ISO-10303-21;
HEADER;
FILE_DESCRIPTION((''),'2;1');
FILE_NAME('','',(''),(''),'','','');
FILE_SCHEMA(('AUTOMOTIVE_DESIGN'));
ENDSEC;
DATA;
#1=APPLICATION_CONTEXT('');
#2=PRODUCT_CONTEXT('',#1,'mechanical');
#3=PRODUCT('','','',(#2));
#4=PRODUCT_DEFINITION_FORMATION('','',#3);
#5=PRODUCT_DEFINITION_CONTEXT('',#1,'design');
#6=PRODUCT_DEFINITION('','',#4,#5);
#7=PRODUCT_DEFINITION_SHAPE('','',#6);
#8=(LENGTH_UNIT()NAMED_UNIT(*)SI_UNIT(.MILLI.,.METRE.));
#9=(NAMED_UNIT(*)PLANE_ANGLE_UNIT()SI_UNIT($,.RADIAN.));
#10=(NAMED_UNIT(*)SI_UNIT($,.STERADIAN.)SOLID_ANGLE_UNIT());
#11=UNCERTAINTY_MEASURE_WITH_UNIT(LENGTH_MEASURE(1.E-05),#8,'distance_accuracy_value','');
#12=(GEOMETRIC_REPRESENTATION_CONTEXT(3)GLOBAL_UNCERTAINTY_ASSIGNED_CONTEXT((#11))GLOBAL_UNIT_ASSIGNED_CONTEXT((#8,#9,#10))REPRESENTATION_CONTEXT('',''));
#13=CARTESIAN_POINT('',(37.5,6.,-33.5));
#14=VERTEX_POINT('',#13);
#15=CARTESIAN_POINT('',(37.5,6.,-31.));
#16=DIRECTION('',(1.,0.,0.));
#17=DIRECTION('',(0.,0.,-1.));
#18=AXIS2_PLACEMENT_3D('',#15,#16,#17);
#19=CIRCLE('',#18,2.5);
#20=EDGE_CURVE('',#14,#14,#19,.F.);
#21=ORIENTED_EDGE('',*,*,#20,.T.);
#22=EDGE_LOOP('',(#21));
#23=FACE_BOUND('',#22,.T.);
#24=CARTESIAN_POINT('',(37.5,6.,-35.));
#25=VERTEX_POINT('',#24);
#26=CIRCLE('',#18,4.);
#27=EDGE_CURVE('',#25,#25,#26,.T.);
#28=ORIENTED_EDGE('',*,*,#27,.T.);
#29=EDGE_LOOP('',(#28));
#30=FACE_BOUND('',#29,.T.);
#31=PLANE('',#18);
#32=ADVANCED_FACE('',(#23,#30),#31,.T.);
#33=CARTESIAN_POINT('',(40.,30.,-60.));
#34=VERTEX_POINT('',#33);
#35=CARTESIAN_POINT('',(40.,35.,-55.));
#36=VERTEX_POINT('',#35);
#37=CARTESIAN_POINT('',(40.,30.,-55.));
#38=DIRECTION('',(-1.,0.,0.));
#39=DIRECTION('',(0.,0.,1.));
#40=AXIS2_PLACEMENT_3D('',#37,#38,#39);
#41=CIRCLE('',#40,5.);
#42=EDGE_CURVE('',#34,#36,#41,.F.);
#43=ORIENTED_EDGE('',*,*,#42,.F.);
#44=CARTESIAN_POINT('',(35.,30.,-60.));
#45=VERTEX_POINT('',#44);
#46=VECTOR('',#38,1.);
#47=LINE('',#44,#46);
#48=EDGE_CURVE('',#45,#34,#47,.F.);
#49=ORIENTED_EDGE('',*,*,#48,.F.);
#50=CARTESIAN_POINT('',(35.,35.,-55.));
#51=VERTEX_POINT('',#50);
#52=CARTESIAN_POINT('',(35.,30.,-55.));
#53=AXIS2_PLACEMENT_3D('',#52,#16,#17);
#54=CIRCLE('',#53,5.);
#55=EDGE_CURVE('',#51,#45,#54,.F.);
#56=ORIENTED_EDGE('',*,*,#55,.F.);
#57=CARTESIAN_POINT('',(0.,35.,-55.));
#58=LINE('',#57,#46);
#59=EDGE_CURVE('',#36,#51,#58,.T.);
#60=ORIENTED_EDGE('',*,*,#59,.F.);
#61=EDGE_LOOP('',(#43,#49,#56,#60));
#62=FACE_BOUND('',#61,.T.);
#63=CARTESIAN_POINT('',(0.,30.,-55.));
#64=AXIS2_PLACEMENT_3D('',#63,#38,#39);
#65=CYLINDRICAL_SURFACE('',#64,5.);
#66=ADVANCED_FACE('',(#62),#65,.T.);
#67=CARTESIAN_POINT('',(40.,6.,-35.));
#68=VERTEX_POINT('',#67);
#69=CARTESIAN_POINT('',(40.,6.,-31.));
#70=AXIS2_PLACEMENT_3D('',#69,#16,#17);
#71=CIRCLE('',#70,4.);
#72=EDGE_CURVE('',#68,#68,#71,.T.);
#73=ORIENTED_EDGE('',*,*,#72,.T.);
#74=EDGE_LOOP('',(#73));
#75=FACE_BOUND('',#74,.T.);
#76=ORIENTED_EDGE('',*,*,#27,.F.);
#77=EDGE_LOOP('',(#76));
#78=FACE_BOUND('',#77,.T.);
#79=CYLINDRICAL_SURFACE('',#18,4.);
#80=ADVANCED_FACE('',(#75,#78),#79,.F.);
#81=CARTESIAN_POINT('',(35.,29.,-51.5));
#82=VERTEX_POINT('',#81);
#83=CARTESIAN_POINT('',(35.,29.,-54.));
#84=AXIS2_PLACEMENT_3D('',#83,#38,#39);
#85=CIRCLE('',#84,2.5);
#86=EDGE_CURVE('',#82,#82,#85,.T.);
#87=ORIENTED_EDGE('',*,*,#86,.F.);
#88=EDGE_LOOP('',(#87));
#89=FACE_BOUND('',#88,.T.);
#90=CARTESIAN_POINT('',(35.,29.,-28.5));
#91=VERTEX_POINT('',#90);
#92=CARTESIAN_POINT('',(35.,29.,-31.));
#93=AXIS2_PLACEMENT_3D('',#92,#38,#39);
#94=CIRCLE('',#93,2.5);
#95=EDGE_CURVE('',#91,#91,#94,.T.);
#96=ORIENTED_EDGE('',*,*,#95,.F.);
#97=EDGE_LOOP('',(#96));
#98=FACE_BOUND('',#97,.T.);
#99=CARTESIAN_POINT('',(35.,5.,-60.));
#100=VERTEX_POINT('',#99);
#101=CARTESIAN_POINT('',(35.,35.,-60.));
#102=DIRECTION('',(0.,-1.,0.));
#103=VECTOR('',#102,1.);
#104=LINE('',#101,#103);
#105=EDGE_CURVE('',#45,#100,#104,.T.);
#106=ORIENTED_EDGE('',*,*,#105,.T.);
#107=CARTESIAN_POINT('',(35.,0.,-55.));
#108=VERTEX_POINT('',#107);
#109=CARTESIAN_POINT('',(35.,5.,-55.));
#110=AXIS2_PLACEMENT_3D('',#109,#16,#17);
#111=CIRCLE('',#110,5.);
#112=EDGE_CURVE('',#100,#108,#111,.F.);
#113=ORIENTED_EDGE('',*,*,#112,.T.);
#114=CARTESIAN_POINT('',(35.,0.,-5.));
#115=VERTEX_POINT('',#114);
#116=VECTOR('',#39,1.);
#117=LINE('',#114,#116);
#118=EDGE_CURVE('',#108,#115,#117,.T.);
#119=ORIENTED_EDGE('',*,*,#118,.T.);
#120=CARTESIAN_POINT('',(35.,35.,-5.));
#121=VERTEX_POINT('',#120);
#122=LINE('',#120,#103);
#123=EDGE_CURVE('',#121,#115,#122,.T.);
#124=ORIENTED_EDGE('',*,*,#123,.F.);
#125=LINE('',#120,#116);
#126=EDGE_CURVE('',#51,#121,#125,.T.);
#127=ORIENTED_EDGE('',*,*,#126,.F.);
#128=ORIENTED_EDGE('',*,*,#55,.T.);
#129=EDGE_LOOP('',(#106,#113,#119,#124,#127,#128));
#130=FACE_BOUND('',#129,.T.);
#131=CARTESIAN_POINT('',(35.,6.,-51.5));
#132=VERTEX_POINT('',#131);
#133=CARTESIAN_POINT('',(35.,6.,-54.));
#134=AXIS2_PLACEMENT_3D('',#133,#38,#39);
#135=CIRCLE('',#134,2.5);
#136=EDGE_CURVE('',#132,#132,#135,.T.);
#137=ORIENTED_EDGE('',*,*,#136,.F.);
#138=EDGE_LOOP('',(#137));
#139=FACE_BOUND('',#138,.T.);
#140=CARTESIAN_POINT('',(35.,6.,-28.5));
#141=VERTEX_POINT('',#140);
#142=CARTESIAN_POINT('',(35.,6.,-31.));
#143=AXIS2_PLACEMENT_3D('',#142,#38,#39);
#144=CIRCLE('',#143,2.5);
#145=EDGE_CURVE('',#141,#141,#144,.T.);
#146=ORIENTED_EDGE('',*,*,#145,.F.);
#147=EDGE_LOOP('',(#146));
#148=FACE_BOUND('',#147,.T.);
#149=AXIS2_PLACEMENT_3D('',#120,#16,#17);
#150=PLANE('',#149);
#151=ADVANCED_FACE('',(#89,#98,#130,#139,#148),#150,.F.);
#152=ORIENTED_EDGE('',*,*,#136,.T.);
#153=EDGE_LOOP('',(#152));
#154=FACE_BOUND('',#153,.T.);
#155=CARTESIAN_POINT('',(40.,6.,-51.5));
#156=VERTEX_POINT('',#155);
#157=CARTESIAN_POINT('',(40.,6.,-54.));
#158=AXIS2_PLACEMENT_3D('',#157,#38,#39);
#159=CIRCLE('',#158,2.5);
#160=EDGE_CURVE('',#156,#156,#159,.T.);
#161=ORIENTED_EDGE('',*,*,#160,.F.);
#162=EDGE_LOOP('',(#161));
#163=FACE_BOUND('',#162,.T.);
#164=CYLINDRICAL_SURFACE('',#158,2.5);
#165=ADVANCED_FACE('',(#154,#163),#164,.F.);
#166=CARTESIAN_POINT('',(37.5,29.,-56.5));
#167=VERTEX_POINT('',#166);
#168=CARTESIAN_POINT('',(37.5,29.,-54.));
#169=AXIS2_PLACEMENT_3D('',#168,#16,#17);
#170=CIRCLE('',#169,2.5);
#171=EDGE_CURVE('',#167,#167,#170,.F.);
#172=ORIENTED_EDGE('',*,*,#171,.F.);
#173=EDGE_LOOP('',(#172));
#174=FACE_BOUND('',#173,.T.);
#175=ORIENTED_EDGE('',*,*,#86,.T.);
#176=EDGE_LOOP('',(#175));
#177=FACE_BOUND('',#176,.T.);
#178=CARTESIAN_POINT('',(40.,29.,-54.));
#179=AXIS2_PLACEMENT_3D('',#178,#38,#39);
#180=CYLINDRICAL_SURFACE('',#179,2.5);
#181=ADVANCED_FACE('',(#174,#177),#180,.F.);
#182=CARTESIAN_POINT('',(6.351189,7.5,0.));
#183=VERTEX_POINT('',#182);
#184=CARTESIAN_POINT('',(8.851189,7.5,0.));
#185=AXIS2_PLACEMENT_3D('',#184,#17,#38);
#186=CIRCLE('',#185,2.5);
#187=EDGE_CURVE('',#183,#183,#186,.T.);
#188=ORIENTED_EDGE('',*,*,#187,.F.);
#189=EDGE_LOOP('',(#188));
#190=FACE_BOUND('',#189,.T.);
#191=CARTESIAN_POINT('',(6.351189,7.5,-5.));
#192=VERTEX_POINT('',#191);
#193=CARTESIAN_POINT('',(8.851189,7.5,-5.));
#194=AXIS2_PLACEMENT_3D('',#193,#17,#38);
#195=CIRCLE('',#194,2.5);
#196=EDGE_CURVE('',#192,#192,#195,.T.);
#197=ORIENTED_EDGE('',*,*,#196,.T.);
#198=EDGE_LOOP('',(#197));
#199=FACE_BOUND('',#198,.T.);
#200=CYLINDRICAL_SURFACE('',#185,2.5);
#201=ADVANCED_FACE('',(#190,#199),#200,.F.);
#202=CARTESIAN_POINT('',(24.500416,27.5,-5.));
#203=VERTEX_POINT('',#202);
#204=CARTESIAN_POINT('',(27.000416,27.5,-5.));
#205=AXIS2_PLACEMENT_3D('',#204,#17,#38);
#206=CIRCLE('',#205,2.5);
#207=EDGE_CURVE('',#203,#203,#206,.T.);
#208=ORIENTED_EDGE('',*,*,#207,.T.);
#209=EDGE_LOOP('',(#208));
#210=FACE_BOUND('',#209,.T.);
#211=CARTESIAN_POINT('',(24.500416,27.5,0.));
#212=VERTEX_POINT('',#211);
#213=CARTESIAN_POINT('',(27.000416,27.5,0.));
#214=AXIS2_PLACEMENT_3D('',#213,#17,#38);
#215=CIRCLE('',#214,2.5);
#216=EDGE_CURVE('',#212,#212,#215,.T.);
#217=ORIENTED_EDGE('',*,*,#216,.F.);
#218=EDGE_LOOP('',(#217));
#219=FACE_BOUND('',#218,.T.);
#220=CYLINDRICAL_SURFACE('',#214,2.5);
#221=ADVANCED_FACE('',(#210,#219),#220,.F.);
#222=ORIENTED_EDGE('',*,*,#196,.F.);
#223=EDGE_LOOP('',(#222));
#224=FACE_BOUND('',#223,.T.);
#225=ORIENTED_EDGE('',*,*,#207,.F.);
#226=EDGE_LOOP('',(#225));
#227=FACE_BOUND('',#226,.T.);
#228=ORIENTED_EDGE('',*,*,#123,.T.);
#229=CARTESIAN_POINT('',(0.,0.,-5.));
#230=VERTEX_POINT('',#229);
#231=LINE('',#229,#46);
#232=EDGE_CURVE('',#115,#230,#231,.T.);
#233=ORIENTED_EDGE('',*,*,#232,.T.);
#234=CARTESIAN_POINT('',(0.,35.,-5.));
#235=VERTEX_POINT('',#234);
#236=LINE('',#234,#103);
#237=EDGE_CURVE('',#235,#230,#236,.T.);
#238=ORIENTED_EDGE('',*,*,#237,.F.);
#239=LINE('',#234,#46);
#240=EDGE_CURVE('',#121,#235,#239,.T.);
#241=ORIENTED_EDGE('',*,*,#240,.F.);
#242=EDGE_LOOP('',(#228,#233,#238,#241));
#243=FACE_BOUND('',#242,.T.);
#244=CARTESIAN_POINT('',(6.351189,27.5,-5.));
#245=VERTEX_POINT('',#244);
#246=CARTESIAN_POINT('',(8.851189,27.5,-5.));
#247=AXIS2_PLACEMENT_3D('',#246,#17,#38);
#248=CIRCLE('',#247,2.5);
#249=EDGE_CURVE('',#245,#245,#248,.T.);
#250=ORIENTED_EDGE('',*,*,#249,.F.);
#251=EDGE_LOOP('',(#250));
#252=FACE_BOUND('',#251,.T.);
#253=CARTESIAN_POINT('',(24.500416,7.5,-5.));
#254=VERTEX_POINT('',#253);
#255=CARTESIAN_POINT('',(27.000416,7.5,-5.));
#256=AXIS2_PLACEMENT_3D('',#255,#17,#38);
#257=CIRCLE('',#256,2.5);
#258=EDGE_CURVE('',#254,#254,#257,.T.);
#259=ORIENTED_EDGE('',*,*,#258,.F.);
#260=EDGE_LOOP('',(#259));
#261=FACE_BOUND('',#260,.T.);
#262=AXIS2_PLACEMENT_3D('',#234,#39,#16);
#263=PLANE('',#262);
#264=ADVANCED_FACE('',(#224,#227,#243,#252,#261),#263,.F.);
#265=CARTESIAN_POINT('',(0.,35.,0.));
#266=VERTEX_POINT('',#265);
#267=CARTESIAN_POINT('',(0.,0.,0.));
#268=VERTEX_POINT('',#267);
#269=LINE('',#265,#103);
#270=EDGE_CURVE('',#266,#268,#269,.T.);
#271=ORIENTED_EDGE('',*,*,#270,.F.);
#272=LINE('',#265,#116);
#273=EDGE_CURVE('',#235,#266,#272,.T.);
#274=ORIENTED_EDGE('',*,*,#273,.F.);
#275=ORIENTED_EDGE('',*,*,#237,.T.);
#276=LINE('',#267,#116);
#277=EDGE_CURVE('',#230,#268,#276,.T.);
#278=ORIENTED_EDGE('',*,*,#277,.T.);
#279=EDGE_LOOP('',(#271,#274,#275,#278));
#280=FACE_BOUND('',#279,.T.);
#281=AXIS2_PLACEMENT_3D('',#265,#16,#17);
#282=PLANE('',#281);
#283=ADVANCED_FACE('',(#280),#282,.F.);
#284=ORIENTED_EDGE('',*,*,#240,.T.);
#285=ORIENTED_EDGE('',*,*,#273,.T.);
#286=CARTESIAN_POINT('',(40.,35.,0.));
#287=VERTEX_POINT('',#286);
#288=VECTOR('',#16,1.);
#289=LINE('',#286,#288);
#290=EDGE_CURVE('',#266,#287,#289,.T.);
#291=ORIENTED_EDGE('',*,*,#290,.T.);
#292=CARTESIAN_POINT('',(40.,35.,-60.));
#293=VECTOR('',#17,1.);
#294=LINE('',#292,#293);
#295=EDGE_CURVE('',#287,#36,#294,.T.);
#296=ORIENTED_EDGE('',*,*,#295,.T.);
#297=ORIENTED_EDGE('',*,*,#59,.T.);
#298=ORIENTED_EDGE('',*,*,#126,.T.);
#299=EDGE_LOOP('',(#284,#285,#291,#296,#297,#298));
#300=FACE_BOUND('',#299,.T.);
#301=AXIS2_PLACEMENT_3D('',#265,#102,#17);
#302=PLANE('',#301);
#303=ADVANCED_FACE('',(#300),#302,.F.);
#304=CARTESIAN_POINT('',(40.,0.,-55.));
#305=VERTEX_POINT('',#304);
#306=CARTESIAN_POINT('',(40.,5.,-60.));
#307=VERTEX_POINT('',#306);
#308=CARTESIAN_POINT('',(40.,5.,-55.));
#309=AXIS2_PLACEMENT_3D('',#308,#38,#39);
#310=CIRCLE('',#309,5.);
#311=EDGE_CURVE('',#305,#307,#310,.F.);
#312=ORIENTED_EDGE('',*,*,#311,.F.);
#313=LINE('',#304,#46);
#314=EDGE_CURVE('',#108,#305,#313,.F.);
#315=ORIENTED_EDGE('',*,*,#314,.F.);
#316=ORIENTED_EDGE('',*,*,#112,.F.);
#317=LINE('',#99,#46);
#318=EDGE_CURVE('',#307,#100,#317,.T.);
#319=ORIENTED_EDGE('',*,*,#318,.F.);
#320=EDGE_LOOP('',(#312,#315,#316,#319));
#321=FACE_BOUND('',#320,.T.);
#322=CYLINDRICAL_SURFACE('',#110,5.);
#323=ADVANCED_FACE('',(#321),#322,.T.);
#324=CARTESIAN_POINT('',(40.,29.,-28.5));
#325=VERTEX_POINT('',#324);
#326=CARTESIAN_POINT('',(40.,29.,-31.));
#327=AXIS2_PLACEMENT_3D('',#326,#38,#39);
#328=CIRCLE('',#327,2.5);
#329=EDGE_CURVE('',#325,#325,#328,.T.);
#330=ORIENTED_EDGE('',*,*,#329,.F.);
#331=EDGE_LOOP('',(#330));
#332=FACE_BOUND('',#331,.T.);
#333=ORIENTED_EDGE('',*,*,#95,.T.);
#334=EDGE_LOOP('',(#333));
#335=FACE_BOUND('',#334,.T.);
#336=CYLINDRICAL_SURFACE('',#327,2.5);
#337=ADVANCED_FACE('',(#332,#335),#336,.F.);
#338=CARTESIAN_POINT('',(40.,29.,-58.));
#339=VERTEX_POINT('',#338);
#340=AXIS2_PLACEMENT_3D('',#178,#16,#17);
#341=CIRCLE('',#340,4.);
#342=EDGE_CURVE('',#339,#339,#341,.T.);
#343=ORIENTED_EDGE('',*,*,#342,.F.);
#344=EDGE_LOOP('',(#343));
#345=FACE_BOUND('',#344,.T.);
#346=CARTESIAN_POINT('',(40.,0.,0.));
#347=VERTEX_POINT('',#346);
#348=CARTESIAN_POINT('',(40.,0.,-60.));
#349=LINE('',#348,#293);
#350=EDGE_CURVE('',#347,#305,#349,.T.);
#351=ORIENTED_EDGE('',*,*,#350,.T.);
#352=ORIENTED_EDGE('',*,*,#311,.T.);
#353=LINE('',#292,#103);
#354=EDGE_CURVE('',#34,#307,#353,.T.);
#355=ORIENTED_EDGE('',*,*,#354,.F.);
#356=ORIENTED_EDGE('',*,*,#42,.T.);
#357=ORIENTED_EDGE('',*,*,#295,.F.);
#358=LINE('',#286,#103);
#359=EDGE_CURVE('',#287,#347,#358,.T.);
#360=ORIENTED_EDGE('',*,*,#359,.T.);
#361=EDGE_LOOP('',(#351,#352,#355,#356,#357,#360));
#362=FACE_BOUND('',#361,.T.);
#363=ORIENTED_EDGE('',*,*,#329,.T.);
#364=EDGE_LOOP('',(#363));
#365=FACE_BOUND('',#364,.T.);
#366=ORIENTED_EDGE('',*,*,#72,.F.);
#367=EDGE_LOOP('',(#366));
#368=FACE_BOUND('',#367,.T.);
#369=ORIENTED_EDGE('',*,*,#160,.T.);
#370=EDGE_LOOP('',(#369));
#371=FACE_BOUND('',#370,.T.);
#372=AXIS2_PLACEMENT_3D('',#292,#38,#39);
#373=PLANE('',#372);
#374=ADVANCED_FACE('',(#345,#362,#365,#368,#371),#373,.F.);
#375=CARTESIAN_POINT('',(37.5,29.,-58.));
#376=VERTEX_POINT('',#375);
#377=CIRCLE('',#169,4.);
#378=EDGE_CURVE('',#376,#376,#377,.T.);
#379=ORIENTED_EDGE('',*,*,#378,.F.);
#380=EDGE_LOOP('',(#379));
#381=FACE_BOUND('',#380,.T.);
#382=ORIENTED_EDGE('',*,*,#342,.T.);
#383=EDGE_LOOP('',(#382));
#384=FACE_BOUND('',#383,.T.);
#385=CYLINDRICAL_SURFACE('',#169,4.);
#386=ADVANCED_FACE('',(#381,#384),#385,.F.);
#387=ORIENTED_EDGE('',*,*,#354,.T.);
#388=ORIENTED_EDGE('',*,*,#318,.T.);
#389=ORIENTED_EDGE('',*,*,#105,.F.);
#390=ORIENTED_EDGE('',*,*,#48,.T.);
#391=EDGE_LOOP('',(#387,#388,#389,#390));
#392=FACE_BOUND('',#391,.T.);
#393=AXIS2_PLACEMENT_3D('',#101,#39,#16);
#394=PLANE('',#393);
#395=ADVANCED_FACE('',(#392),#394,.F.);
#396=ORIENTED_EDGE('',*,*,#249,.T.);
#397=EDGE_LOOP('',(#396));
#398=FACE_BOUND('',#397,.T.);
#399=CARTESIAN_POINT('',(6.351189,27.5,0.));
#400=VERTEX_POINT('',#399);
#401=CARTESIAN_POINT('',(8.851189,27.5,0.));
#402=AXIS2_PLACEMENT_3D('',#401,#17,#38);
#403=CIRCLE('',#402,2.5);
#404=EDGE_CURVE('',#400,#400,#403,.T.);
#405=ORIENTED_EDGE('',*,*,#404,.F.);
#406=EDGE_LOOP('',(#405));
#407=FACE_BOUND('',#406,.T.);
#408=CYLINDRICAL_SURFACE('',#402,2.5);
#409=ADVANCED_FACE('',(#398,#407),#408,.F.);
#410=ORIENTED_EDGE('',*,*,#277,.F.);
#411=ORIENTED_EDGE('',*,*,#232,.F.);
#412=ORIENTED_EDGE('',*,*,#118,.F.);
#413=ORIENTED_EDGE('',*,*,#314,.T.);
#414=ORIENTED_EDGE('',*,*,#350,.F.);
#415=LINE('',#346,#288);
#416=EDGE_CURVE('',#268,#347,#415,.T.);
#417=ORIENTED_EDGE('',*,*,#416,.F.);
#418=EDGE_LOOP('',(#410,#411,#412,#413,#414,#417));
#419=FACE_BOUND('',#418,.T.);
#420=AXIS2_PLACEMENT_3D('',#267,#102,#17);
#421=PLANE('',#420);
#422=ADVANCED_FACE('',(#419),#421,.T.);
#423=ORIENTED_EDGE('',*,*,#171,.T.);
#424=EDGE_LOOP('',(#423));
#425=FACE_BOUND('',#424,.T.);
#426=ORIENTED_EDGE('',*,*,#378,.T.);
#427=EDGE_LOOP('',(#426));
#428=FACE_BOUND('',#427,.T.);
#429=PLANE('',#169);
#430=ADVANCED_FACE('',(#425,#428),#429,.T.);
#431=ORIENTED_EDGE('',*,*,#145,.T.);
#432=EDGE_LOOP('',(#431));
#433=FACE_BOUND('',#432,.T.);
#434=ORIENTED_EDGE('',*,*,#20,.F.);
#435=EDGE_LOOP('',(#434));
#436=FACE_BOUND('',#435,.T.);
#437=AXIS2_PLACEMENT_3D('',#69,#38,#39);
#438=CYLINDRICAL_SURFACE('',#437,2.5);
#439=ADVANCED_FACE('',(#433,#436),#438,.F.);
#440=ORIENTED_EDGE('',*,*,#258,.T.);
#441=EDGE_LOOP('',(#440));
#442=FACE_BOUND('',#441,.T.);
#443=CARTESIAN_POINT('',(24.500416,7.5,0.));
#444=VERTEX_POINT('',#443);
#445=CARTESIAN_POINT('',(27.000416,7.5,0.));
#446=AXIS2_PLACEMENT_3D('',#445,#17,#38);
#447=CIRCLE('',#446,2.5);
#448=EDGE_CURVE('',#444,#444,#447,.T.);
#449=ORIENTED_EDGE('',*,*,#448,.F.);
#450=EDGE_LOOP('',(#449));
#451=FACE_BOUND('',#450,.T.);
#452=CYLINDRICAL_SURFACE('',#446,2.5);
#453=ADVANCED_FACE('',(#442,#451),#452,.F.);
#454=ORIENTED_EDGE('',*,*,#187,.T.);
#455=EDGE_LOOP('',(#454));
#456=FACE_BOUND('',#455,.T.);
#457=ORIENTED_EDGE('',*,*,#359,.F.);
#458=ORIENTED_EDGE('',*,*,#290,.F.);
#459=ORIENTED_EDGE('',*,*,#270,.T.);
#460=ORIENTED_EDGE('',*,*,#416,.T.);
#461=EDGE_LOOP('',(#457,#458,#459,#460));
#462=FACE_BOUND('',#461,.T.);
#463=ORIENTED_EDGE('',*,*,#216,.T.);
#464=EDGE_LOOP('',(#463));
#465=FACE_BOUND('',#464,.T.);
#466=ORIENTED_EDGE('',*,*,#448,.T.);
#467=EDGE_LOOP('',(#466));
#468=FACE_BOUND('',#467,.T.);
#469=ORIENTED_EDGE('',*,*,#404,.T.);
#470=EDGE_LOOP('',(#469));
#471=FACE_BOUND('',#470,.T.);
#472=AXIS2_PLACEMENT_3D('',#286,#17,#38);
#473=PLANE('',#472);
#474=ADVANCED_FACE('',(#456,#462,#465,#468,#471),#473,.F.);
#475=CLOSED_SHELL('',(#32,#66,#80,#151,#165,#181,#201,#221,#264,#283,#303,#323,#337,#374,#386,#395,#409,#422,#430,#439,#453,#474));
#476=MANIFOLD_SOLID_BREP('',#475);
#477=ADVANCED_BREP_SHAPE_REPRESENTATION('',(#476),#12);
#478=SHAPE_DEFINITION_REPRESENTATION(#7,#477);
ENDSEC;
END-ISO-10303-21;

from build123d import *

# Parameters (mm, degrees)
BOSS_EXTRUDE1_DEPTH = 35
FILLET1_R           = 5
SKETCH2_R           = 2.5
CUT_EXTRUDE1_DEPTH  = 6
SKETCH3_R           = 2.5
CUT_EXTRUDE3_DEPTH  = 6
SKETCH5_R           = 4
CUT_EXTRUDE5_DEPTH  = 2.5


with BuildPart() as part:
    # Sketch1 → Boss-Extrude1 (new body)
    with BuildSketch(Plane(origin=(0, 0, 0), x_dir=(1, 0, 0), z_dir=(0, 1, 0))):
        Polygon((0, 0), (0, 5), (35, 5), (35, 60), (40, 60), (40, 0), align=None)
    extrude(amount=BOSS_EXTRUDE1_DEPTH)

    # Fillet1
    fillet1_edges = [part.edges().sort_by_distance(p)[0] for p in [
        (37.5, 35, -60),
        (37.5, 0, -60),
    ]]
    fillet(fillet1_edges, radius=FILLET1_R)

    # Sketch2 → Cut-Extrude1 (cut, through all)
    with BuildSketch(Plane(origin=(0, 0, -5), x_dir=(-1, 0, 0), z_dir=(0, 0, -1))):
        with Locations((-27.000416448, 27.5)):
            Circle(SKETCH2_R)
        with Locations((-8.85118862, 27.5)):
            Circle(SKETCH2_R)
        with Locations((-27.000416448, 7.5)):
            Circle(SKETCH2_R)
        with Locations((-8.85118862, 7.5)):
            Circle(SKETCH2_R)
    extrude(amount=-CUT_EXTRUDE1_DEPTH, mode=Mode.SUBTRACT)

    # Sketch3 → Cut-Extrude3 (cut, through all)
    with BuildSketch(Plane.ZY.offset(-35)):
        with Locations((-31, 29)):
            Circle(SKETCH3_R)
        with Locations((-54, 6)):
            Circle(SKETCH3_R)
        with Locations((-54, 29)):
            Circle(SKETCH3_R)
        with Locations((-31, 6)):
            Circle(SKETCH3_R)
    extrude(amount=-CUT_EXTRUDE3_DEPTH, mode=Mode.SUBTRACT)

    # Sketch5 → Cut-Extrude5 (cut)
    with BuildSketch(Plane(origin=(40, 0, 0), x_dir=(0, 0, -1), z_dir=(1, 0, 0))):
        with Locations((54, 29)):
            Circle(SKETCH5_R)
        with Locations((31, 6)):
            Circle(SKETCH5_R)
    extrude(amount=-CUT_EXTRUDE5_DEPTH, mode=Mode.SUBTRACT)


solid = part.part
